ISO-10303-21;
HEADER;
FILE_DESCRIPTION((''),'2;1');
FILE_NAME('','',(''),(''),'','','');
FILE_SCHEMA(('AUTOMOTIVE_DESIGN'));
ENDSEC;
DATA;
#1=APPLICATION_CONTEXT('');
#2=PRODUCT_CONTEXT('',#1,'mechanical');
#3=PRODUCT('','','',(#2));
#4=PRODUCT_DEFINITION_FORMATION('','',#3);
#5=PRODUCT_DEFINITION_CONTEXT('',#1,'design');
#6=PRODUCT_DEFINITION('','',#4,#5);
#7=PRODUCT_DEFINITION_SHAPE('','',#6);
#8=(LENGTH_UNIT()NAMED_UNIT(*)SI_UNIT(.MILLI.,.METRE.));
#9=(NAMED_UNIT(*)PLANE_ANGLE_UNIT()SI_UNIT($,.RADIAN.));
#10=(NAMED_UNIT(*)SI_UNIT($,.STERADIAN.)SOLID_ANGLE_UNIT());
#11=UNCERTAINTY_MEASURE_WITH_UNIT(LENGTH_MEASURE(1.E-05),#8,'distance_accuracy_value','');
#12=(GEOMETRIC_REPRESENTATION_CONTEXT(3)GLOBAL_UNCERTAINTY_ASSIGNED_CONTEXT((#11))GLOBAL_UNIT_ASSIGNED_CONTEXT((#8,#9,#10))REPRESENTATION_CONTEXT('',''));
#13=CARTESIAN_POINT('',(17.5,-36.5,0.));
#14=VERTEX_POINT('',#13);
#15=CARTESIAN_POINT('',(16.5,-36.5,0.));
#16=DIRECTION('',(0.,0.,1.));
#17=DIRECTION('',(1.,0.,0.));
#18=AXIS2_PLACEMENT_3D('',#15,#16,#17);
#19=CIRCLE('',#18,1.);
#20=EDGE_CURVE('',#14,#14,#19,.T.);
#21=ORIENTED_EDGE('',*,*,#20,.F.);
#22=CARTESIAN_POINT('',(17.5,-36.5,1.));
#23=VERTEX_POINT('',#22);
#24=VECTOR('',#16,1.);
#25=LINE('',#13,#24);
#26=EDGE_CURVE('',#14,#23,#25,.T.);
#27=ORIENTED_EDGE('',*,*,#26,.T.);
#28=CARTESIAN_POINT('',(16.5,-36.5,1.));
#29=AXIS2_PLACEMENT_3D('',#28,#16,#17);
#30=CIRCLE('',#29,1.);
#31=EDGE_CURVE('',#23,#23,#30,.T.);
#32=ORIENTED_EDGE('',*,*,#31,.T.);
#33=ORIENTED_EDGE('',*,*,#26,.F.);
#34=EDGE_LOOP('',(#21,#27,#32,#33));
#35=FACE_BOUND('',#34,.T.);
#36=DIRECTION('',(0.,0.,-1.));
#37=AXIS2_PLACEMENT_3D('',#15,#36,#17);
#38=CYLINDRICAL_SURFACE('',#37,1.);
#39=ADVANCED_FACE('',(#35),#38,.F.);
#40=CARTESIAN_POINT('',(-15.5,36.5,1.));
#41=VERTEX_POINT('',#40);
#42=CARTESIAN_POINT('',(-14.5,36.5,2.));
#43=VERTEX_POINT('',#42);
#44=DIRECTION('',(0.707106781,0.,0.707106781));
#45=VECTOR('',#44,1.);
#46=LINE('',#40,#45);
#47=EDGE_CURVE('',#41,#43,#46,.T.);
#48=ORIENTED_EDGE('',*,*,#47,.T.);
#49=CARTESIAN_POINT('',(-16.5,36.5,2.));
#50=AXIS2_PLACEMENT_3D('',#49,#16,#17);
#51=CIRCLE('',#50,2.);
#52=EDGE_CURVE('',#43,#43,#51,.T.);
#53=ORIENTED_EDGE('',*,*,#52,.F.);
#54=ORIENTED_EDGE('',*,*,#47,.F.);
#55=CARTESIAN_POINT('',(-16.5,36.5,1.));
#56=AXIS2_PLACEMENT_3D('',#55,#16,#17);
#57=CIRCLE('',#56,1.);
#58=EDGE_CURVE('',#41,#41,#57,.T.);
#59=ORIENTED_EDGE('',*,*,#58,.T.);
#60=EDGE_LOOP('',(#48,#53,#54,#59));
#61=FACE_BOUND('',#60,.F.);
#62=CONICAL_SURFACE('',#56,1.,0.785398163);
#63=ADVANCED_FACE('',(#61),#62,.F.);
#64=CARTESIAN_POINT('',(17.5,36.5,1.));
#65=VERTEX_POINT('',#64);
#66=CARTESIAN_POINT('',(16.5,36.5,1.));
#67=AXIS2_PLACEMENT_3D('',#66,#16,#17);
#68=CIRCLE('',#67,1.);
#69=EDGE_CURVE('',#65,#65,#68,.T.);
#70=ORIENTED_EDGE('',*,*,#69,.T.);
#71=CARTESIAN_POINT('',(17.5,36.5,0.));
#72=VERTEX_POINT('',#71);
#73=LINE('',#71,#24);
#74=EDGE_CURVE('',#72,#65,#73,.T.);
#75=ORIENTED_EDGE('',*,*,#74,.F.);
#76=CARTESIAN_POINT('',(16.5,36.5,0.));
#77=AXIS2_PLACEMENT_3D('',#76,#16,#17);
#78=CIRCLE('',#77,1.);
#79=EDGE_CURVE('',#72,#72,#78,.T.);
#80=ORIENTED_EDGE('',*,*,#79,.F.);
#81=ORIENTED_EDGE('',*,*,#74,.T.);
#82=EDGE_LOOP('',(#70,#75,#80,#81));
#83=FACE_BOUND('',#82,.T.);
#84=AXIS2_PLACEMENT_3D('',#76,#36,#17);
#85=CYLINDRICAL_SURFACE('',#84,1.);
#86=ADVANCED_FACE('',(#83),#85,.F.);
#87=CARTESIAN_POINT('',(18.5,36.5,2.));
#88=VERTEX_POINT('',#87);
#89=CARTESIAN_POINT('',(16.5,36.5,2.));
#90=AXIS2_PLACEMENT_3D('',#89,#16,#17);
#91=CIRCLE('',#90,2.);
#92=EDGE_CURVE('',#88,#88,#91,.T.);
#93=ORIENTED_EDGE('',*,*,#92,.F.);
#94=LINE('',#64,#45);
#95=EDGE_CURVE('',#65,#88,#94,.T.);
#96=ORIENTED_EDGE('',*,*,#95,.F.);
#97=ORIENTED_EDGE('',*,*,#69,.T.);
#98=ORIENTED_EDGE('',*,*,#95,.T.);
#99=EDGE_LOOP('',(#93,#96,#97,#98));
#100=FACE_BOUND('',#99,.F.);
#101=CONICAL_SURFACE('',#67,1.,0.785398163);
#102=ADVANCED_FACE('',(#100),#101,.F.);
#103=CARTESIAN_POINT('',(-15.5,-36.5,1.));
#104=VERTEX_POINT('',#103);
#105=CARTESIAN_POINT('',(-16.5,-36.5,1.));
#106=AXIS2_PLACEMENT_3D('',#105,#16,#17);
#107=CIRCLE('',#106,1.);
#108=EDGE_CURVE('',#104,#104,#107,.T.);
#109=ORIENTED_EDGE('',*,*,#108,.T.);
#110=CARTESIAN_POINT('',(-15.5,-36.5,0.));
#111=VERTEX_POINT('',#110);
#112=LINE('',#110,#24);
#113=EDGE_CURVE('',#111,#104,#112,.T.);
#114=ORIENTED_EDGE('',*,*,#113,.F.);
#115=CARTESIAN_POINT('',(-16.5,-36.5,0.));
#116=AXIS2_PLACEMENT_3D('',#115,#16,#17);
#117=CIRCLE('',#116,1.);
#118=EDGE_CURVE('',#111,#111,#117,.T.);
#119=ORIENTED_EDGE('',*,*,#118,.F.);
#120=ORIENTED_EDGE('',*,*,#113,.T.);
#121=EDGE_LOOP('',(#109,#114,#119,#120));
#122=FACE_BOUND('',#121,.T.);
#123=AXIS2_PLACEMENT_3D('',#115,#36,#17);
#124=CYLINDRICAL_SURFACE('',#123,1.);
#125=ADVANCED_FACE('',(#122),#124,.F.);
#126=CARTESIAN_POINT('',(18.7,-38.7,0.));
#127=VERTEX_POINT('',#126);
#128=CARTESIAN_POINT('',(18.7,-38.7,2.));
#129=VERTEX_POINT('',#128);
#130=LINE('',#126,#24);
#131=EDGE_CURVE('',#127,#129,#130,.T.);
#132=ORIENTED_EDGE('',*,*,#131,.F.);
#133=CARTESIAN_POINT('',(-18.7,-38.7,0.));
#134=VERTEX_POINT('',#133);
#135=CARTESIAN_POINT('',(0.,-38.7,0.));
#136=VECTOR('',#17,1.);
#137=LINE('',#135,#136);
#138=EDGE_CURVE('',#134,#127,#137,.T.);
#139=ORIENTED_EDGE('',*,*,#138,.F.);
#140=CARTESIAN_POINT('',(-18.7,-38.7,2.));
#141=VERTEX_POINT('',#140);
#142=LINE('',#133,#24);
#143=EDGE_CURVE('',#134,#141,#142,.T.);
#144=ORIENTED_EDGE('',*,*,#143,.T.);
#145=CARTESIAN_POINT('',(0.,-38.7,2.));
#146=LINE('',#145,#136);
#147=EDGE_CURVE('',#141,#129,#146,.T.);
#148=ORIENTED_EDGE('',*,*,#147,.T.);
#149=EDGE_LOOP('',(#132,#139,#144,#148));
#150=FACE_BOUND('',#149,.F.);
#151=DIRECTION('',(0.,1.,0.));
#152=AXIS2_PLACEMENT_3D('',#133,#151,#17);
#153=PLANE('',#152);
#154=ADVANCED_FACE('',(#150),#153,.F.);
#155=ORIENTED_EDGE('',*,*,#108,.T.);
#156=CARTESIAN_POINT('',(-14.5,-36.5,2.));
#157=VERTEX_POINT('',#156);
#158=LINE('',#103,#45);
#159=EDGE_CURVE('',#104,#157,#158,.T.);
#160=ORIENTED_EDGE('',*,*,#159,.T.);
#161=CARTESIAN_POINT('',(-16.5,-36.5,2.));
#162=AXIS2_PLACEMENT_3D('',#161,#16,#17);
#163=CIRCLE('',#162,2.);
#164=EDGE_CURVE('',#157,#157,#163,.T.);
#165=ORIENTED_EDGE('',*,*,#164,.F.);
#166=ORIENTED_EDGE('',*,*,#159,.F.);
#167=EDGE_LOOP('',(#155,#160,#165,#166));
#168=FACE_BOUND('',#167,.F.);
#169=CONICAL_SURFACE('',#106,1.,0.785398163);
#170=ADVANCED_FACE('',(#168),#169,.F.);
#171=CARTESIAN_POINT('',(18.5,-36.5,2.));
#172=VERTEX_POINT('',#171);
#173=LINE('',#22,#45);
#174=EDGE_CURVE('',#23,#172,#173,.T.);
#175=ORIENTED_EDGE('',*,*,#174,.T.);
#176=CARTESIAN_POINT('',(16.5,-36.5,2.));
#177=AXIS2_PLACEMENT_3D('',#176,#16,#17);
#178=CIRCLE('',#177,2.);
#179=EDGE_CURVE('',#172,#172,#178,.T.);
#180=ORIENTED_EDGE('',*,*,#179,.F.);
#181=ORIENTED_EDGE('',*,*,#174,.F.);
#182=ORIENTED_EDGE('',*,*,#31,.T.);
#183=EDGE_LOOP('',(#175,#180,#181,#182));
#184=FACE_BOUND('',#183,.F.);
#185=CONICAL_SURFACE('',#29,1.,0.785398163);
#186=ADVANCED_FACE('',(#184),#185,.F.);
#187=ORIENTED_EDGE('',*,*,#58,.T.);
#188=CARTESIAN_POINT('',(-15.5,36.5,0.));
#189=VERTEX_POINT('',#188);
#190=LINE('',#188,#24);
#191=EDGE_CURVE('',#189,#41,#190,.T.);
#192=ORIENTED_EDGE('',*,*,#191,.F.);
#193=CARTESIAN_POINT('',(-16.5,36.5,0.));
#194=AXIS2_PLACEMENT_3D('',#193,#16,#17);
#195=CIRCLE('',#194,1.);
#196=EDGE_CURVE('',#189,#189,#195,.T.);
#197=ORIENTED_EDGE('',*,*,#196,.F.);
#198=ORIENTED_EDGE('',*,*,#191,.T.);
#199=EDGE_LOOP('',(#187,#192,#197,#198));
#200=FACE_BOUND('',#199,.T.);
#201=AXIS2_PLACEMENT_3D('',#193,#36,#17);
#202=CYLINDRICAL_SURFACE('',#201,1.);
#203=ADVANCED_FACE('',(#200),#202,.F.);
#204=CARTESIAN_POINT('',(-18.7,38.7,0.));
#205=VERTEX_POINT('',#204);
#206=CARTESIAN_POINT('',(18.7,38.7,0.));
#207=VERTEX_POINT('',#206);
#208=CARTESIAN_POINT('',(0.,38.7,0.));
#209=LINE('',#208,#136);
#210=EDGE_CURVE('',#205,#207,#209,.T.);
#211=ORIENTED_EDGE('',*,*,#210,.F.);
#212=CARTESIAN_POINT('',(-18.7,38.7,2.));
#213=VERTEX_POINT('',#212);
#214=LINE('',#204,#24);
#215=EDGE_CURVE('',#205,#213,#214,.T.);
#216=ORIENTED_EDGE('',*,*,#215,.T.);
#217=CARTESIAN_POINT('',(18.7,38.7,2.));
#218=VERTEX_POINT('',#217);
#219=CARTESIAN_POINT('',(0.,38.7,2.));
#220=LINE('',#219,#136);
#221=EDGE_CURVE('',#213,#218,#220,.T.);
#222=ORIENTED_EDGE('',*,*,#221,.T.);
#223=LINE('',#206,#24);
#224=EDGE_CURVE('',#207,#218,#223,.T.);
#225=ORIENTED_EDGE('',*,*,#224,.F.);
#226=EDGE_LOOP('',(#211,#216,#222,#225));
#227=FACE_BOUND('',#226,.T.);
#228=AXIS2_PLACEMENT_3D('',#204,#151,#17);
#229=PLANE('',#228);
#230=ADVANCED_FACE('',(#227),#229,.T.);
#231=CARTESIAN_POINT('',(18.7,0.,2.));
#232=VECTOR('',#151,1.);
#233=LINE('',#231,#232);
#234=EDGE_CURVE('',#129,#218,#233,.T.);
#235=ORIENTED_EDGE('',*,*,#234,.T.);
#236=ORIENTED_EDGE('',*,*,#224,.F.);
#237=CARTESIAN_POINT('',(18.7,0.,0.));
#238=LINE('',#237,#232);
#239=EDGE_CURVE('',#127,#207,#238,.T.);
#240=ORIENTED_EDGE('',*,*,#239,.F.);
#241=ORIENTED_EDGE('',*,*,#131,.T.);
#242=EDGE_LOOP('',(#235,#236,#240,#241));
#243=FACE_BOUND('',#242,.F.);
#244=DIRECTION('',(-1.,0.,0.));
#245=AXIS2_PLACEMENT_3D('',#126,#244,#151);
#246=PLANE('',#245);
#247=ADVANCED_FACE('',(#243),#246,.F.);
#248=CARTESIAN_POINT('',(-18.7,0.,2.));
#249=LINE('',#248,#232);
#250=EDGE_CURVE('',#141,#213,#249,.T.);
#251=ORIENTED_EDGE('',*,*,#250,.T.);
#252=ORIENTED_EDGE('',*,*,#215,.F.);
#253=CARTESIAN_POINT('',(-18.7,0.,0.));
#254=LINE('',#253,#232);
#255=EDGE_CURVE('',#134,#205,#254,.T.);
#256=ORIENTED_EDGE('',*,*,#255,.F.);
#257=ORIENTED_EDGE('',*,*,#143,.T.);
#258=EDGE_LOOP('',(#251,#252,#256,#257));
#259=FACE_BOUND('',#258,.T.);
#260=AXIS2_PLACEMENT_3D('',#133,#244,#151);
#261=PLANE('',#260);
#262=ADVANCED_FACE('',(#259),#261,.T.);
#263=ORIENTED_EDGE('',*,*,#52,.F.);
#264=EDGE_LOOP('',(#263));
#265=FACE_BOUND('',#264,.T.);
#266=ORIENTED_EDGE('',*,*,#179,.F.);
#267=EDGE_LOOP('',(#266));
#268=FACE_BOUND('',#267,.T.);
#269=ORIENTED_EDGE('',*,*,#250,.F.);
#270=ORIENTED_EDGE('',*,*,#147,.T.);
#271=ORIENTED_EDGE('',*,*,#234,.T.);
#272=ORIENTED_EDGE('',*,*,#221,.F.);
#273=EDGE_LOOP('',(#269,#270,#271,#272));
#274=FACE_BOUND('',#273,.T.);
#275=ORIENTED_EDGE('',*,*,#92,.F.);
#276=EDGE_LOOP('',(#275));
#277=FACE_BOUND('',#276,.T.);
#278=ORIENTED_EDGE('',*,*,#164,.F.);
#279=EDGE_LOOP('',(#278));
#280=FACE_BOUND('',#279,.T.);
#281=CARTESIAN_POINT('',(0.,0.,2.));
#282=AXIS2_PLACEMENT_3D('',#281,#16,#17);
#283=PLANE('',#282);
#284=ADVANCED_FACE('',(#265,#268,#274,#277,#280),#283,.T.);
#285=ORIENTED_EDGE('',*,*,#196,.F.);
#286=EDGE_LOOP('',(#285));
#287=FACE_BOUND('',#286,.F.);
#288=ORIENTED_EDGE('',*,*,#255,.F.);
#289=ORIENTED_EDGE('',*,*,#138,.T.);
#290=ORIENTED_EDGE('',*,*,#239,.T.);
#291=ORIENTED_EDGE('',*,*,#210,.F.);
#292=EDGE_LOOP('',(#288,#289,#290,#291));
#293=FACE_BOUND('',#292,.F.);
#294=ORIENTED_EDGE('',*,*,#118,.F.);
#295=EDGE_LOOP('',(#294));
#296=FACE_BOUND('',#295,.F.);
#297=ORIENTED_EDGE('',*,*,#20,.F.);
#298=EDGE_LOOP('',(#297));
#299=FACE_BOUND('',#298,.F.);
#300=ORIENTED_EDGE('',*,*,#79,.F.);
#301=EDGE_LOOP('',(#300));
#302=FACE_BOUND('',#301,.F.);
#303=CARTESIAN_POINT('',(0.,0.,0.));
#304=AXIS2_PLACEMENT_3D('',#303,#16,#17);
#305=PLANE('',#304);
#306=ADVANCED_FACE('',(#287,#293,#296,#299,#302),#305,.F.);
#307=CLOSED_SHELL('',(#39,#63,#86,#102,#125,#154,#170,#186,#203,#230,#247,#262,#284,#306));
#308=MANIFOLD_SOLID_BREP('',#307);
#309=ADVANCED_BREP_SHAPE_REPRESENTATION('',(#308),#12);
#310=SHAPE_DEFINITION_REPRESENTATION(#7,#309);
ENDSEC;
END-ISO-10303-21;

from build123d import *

# Parameters (mm, degrees)
F0_W     = 37.4
F0_H     = 77.4
F0_R     = 1
F1_DEPTH = 2
F2_SIZE2 = 1
F2_SIZE  = 1


with BuildPart() as f1:
    # F0 (on Top) → F1 (new body)
    with BuildSketch(Plane.XY):
        Rectangle(F0_W, F0_H)
        with Locations((-16.5, -36.5)):
            Circle(F0_R, mode=Mode.SUBTRACT)
        with Locations((16.5, -36.5)):
            Circle(F0_R, mode=Mode.SUBTRACT)
        with Locations((-16.5, 36.5)):
            Circle(F0_R, mode=Mode.SUBTRACT)
        with Locations((16.5, 36.5)):
            Circle(F0_R, mode=Mode.SUBTRACT)
    extrude(amount=F1_DEPTH)

    # F2
    f2_edges = [f1.edges().sort_by_distance(p)[0] for p in [
        (-17.5, -36.5, 2),
        (15.5, -36.5, 2),
        (15.5, 36.5, 2),
        (-17.5, 36.5, 2),
    ]]
    chamfer(f2_edges, length=F2_SIZE, length2=F2_SIZE2)


solid = f1.part
